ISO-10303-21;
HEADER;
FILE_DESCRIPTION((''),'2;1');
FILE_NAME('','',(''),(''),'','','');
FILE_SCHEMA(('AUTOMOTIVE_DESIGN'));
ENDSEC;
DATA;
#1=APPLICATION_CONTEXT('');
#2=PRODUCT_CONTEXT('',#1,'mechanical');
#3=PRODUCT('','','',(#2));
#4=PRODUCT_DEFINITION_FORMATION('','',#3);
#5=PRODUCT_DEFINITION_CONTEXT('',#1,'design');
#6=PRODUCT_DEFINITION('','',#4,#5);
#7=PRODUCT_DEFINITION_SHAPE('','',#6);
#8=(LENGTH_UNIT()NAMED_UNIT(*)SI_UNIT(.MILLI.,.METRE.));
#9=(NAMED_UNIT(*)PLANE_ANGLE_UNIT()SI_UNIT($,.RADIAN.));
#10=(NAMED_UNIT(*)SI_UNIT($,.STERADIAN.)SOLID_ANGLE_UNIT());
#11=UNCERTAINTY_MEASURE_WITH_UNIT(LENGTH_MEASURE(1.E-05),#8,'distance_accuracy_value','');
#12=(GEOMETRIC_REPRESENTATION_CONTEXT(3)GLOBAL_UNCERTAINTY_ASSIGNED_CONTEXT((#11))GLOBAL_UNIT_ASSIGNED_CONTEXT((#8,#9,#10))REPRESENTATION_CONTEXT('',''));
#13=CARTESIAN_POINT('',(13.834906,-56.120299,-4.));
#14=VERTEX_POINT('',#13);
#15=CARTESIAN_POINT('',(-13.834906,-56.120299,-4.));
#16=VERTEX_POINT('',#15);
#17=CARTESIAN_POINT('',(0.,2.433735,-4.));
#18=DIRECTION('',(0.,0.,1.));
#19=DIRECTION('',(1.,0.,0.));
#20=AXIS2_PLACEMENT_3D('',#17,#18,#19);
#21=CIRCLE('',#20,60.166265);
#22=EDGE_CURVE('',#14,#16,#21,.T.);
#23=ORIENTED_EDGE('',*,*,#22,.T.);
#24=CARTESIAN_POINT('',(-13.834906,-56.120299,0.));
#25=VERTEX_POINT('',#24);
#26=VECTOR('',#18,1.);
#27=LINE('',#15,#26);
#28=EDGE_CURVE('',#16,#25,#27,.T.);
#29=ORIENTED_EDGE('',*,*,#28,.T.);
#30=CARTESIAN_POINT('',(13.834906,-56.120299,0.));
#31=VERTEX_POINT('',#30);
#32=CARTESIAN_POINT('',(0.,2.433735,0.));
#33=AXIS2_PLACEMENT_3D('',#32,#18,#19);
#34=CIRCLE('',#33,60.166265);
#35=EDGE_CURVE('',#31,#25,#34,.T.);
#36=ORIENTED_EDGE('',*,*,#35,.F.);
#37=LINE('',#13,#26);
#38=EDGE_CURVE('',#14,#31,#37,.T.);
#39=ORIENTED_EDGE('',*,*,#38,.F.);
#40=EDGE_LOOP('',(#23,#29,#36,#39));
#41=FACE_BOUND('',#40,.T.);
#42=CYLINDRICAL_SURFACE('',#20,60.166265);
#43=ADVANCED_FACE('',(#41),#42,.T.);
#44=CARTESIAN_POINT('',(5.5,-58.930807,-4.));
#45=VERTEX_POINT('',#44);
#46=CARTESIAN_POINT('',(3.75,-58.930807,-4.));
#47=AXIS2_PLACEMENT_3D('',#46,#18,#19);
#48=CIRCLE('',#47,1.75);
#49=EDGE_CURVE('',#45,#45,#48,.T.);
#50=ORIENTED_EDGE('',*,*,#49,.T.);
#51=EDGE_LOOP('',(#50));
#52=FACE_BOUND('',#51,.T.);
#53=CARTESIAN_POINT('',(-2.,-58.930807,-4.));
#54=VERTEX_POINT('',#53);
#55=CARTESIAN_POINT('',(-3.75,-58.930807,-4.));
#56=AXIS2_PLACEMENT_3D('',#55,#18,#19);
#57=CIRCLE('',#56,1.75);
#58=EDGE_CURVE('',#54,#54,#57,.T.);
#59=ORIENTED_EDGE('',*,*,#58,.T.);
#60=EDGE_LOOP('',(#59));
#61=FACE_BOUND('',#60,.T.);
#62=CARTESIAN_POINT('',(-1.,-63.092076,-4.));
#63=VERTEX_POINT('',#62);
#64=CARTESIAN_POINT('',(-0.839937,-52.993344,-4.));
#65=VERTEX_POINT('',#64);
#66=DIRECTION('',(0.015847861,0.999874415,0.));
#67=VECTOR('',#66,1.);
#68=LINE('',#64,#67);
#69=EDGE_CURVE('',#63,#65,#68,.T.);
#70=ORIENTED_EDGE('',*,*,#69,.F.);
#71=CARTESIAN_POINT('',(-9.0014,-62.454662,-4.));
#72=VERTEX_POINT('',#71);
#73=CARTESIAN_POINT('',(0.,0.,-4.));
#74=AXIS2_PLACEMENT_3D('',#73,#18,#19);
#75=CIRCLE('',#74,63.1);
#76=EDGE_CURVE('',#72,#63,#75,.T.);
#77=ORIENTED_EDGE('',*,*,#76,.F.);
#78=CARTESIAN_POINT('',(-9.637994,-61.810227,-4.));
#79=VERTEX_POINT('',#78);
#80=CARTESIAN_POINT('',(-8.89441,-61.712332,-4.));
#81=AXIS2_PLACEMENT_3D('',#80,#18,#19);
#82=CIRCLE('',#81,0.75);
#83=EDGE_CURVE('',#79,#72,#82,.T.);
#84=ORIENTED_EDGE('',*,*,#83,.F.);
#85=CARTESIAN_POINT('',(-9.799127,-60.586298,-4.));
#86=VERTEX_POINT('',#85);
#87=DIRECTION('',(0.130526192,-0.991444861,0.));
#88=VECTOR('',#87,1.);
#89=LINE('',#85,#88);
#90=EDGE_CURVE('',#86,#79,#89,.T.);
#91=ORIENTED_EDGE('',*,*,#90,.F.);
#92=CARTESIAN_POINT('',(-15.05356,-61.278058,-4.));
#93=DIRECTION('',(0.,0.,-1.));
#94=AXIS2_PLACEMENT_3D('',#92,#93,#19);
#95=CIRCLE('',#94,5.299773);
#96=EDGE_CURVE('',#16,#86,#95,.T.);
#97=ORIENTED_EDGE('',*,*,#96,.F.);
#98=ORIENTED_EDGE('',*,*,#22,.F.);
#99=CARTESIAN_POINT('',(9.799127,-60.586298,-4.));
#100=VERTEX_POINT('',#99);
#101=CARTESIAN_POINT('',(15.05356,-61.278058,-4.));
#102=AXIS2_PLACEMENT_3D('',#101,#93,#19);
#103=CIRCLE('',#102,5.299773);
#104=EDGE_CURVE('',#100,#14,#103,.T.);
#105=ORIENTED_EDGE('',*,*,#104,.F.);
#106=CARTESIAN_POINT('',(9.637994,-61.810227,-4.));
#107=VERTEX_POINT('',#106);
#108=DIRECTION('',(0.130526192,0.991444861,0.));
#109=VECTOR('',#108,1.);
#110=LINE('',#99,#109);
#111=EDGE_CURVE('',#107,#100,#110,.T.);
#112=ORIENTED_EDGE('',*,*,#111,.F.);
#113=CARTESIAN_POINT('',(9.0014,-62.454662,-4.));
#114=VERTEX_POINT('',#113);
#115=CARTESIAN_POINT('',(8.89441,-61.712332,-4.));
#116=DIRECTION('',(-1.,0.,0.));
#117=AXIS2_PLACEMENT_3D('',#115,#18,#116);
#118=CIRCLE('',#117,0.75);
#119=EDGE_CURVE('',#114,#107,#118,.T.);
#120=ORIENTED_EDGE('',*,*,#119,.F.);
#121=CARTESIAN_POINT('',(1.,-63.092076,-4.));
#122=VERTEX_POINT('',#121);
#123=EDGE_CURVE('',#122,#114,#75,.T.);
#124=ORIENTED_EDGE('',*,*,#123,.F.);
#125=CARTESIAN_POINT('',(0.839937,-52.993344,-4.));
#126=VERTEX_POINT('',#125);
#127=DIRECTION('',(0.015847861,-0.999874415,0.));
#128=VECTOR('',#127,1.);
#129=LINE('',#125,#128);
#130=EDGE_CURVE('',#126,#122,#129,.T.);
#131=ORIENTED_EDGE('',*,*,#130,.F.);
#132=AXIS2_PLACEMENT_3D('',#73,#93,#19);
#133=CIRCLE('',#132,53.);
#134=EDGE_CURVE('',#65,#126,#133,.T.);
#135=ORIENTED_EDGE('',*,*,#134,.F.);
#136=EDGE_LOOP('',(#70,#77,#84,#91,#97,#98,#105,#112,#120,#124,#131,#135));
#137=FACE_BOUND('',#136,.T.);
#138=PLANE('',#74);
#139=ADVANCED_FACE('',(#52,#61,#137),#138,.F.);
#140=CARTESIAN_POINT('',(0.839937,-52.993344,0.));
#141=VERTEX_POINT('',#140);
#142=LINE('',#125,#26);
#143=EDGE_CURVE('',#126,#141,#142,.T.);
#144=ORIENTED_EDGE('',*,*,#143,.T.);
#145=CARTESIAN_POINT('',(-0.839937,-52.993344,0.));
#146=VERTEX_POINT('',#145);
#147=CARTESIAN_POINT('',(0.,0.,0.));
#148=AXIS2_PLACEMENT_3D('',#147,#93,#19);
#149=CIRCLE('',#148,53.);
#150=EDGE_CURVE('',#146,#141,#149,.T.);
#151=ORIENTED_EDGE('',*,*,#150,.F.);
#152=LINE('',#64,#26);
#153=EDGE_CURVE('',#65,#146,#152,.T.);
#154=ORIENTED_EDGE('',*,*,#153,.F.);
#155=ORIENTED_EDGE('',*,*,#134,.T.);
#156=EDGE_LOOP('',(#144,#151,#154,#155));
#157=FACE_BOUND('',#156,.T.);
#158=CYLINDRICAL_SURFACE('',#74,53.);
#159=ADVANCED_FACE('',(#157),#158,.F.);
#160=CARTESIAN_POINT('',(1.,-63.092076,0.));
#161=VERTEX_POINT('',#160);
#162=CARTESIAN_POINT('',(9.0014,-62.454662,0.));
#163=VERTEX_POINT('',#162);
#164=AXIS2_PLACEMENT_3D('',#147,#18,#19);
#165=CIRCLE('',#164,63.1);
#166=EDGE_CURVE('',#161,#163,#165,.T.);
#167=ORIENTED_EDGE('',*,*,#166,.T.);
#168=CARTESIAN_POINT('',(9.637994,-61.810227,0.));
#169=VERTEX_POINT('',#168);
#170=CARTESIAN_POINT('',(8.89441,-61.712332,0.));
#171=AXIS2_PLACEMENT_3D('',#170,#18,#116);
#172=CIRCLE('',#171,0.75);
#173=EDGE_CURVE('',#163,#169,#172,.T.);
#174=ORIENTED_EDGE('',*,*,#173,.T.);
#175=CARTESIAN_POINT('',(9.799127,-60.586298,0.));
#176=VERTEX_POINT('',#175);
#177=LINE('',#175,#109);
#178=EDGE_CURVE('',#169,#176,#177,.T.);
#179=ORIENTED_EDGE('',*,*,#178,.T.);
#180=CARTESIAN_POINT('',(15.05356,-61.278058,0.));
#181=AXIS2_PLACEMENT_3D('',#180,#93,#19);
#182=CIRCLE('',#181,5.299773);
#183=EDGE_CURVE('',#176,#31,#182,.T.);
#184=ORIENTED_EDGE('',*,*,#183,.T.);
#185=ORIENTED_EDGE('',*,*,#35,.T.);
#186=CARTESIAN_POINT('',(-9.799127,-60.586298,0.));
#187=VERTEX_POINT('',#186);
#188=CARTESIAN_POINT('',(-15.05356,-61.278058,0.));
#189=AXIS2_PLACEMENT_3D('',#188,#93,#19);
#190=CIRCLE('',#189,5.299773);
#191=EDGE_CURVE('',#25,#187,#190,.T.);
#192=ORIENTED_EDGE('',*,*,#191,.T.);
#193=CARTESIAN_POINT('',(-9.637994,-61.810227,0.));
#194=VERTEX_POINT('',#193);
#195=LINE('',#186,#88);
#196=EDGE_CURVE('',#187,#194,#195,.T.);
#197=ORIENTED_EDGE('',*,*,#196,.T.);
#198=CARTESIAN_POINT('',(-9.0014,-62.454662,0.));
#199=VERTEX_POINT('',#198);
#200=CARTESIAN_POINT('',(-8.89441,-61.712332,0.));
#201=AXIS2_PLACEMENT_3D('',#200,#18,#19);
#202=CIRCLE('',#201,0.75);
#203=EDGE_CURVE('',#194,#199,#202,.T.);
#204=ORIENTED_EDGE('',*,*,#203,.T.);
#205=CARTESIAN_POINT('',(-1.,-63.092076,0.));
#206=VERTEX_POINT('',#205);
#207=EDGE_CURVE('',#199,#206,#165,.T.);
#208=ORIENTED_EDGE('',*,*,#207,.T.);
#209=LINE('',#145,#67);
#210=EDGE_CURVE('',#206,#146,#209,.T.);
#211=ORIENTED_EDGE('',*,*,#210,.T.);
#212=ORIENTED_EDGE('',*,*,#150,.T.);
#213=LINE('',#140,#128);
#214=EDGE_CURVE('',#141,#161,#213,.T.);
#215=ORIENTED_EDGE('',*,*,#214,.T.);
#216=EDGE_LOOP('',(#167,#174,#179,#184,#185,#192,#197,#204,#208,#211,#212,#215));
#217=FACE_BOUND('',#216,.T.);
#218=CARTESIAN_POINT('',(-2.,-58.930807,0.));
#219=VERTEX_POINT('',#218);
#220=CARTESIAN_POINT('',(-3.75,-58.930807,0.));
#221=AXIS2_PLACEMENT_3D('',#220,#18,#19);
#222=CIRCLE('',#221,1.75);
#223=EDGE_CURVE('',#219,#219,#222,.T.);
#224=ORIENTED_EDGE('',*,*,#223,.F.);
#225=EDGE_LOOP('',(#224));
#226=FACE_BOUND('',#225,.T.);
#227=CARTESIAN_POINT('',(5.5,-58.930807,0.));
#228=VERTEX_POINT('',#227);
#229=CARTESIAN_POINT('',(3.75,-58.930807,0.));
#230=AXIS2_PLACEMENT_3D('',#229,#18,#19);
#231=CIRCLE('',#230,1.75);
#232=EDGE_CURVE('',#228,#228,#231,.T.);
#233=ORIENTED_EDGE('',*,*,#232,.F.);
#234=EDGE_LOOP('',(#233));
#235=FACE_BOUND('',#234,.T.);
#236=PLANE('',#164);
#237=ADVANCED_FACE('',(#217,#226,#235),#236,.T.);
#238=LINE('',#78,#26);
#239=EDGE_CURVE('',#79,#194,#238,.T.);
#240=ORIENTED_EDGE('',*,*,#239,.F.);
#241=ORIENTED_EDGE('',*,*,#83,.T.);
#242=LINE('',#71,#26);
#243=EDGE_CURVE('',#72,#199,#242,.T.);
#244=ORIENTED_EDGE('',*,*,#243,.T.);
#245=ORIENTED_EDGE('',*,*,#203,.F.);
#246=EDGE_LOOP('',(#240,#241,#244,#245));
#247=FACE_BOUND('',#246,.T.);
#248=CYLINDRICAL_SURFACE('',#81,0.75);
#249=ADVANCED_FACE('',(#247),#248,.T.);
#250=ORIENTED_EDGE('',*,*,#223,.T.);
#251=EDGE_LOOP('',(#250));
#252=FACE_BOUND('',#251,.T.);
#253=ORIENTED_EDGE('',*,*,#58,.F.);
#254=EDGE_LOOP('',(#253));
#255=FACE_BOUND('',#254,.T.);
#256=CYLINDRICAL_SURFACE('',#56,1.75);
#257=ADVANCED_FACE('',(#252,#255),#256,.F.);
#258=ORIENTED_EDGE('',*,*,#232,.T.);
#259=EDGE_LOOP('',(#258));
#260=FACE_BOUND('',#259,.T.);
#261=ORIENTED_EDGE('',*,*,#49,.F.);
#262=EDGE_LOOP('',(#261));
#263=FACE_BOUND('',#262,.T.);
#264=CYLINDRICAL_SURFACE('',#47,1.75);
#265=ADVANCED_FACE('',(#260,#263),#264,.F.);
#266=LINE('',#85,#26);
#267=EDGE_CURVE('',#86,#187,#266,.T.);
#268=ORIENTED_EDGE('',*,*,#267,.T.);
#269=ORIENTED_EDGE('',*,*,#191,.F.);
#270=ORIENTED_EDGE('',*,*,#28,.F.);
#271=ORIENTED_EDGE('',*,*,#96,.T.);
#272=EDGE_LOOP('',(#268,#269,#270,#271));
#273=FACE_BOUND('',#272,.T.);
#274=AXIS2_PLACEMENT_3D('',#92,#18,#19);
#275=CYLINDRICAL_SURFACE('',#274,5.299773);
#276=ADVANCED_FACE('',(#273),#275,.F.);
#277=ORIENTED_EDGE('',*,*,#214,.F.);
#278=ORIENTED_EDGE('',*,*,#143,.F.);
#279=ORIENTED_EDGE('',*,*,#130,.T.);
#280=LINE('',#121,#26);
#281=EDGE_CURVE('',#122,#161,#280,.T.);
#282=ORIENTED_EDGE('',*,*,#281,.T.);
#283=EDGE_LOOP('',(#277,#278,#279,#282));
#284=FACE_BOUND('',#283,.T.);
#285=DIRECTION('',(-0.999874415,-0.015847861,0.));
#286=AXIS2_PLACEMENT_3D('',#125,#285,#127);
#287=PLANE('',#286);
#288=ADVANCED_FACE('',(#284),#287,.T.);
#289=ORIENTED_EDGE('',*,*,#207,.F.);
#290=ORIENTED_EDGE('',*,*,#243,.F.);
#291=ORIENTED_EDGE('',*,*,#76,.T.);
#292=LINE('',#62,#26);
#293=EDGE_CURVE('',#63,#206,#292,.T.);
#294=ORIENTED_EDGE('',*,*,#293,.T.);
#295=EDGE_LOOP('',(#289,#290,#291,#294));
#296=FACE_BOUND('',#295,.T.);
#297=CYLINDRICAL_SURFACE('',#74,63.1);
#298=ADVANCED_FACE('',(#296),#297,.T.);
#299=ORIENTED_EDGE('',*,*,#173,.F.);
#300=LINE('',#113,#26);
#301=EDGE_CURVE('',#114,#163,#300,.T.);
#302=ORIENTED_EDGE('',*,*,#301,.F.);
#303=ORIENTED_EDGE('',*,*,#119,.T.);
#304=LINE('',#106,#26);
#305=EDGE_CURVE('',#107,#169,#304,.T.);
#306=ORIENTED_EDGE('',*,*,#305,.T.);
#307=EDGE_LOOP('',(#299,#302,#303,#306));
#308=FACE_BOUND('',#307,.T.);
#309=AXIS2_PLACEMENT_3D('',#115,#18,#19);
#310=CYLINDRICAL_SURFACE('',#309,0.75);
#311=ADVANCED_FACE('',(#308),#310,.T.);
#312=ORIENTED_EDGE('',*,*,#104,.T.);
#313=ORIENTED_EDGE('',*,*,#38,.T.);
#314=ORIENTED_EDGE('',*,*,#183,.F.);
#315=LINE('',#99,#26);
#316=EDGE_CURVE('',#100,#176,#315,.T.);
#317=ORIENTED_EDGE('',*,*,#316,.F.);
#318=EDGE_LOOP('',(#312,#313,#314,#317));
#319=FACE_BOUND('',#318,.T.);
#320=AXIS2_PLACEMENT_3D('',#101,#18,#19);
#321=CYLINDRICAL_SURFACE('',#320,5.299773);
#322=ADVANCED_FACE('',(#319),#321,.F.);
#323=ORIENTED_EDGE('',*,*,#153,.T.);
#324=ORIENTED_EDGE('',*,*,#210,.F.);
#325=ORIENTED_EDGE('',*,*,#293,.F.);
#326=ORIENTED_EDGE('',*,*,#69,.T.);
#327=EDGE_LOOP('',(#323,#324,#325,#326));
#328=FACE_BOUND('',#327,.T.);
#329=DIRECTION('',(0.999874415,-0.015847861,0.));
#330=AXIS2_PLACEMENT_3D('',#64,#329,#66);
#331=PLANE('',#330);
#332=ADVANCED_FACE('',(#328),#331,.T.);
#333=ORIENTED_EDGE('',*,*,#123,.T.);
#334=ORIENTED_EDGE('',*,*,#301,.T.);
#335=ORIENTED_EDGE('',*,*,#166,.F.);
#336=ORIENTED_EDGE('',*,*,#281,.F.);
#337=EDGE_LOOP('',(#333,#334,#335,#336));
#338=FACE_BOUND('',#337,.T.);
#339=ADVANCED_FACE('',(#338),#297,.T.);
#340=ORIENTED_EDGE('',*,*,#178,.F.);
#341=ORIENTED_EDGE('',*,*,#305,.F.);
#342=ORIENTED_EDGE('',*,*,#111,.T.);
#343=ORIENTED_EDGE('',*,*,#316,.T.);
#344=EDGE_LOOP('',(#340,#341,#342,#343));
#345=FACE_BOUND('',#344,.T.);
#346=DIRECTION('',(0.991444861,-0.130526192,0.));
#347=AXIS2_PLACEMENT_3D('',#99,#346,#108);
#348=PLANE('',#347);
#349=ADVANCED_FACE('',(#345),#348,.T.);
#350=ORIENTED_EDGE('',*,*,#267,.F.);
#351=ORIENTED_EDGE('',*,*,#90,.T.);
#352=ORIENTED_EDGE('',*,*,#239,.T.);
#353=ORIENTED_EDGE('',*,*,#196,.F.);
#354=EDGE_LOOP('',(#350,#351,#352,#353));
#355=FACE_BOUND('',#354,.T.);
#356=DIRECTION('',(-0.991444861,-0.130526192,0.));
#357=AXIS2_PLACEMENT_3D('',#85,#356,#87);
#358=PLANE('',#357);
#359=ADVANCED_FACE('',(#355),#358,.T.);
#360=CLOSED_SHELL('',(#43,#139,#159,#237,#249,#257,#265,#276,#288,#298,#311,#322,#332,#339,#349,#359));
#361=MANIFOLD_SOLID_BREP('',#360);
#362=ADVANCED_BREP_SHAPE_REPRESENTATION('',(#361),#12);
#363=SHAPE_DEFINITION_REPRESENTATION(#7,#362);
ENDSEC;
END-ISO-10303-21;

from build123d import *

# Parameters (mm, degrees)
BODYSKE_R  = 1.75
BODY_DEPTH = 4


with BuildPart() as part:
    # BodySke → Body (new body)
    with BuildSketch(Plane.XY):
        with BuildLine():
            Line((0.839936609, -52.993343983), (1, -63.092075572))
            ThreePointArc((1, -63.092075572), (5.010845559, -62.900726759), (9.001399741, -62.454661977))
            ThreePointArc((9.001399741, -62.454661977), (9.427976207, -62.239406539), (9.637993691, -61.810227042))
            Line((9.637993691, -61.810227042), (9.799126964, -60.586298321))
            ThreePointArc((9.799126964, -60.586298321), (11.121448183, -57.724736041), (13.834905808, -56.120298506))
            ThreePointArc((13.834905808, -56.120298506), (0, 62.6), (-13.834905808, -56.120298506))
            ThreePointArc((-13.834905808, -56.120298506), (-11.121448183, -57.724736041), (-9.799126964, -60.586298321))
            Line((-9.799126964, -60.586298321), (-9.637993691, -61.810227042))
            ThreePointArc((-9.637993691, -61.810227042), (-9.427976207, -62.239406539), (-9.001399741, -62.454661977))
            ThreePointArc((-9.001399741, -62.454661977), (-5.010845559, -62.900726759), (-1, -63.092075572))
            Line((-1, -63.092075572), (-0.839936609, -52.993343983))
            ThreePointArc((-0.839936609, -52.993343983), (0, 53), (0.839936609, -52.993343983))
        make_face()
        with Locations((3.75, -58.930806884)):
            Circle(BODYSKE_R, mode=Mode.SUBTRACT)
        with Locations((-3.75, -58.930806884)):
            Circle(BODYSKE_R, mode=Mode.SUBTRACT)
    extrude(amount=-BODY_DEPTH)


solid = part.part
